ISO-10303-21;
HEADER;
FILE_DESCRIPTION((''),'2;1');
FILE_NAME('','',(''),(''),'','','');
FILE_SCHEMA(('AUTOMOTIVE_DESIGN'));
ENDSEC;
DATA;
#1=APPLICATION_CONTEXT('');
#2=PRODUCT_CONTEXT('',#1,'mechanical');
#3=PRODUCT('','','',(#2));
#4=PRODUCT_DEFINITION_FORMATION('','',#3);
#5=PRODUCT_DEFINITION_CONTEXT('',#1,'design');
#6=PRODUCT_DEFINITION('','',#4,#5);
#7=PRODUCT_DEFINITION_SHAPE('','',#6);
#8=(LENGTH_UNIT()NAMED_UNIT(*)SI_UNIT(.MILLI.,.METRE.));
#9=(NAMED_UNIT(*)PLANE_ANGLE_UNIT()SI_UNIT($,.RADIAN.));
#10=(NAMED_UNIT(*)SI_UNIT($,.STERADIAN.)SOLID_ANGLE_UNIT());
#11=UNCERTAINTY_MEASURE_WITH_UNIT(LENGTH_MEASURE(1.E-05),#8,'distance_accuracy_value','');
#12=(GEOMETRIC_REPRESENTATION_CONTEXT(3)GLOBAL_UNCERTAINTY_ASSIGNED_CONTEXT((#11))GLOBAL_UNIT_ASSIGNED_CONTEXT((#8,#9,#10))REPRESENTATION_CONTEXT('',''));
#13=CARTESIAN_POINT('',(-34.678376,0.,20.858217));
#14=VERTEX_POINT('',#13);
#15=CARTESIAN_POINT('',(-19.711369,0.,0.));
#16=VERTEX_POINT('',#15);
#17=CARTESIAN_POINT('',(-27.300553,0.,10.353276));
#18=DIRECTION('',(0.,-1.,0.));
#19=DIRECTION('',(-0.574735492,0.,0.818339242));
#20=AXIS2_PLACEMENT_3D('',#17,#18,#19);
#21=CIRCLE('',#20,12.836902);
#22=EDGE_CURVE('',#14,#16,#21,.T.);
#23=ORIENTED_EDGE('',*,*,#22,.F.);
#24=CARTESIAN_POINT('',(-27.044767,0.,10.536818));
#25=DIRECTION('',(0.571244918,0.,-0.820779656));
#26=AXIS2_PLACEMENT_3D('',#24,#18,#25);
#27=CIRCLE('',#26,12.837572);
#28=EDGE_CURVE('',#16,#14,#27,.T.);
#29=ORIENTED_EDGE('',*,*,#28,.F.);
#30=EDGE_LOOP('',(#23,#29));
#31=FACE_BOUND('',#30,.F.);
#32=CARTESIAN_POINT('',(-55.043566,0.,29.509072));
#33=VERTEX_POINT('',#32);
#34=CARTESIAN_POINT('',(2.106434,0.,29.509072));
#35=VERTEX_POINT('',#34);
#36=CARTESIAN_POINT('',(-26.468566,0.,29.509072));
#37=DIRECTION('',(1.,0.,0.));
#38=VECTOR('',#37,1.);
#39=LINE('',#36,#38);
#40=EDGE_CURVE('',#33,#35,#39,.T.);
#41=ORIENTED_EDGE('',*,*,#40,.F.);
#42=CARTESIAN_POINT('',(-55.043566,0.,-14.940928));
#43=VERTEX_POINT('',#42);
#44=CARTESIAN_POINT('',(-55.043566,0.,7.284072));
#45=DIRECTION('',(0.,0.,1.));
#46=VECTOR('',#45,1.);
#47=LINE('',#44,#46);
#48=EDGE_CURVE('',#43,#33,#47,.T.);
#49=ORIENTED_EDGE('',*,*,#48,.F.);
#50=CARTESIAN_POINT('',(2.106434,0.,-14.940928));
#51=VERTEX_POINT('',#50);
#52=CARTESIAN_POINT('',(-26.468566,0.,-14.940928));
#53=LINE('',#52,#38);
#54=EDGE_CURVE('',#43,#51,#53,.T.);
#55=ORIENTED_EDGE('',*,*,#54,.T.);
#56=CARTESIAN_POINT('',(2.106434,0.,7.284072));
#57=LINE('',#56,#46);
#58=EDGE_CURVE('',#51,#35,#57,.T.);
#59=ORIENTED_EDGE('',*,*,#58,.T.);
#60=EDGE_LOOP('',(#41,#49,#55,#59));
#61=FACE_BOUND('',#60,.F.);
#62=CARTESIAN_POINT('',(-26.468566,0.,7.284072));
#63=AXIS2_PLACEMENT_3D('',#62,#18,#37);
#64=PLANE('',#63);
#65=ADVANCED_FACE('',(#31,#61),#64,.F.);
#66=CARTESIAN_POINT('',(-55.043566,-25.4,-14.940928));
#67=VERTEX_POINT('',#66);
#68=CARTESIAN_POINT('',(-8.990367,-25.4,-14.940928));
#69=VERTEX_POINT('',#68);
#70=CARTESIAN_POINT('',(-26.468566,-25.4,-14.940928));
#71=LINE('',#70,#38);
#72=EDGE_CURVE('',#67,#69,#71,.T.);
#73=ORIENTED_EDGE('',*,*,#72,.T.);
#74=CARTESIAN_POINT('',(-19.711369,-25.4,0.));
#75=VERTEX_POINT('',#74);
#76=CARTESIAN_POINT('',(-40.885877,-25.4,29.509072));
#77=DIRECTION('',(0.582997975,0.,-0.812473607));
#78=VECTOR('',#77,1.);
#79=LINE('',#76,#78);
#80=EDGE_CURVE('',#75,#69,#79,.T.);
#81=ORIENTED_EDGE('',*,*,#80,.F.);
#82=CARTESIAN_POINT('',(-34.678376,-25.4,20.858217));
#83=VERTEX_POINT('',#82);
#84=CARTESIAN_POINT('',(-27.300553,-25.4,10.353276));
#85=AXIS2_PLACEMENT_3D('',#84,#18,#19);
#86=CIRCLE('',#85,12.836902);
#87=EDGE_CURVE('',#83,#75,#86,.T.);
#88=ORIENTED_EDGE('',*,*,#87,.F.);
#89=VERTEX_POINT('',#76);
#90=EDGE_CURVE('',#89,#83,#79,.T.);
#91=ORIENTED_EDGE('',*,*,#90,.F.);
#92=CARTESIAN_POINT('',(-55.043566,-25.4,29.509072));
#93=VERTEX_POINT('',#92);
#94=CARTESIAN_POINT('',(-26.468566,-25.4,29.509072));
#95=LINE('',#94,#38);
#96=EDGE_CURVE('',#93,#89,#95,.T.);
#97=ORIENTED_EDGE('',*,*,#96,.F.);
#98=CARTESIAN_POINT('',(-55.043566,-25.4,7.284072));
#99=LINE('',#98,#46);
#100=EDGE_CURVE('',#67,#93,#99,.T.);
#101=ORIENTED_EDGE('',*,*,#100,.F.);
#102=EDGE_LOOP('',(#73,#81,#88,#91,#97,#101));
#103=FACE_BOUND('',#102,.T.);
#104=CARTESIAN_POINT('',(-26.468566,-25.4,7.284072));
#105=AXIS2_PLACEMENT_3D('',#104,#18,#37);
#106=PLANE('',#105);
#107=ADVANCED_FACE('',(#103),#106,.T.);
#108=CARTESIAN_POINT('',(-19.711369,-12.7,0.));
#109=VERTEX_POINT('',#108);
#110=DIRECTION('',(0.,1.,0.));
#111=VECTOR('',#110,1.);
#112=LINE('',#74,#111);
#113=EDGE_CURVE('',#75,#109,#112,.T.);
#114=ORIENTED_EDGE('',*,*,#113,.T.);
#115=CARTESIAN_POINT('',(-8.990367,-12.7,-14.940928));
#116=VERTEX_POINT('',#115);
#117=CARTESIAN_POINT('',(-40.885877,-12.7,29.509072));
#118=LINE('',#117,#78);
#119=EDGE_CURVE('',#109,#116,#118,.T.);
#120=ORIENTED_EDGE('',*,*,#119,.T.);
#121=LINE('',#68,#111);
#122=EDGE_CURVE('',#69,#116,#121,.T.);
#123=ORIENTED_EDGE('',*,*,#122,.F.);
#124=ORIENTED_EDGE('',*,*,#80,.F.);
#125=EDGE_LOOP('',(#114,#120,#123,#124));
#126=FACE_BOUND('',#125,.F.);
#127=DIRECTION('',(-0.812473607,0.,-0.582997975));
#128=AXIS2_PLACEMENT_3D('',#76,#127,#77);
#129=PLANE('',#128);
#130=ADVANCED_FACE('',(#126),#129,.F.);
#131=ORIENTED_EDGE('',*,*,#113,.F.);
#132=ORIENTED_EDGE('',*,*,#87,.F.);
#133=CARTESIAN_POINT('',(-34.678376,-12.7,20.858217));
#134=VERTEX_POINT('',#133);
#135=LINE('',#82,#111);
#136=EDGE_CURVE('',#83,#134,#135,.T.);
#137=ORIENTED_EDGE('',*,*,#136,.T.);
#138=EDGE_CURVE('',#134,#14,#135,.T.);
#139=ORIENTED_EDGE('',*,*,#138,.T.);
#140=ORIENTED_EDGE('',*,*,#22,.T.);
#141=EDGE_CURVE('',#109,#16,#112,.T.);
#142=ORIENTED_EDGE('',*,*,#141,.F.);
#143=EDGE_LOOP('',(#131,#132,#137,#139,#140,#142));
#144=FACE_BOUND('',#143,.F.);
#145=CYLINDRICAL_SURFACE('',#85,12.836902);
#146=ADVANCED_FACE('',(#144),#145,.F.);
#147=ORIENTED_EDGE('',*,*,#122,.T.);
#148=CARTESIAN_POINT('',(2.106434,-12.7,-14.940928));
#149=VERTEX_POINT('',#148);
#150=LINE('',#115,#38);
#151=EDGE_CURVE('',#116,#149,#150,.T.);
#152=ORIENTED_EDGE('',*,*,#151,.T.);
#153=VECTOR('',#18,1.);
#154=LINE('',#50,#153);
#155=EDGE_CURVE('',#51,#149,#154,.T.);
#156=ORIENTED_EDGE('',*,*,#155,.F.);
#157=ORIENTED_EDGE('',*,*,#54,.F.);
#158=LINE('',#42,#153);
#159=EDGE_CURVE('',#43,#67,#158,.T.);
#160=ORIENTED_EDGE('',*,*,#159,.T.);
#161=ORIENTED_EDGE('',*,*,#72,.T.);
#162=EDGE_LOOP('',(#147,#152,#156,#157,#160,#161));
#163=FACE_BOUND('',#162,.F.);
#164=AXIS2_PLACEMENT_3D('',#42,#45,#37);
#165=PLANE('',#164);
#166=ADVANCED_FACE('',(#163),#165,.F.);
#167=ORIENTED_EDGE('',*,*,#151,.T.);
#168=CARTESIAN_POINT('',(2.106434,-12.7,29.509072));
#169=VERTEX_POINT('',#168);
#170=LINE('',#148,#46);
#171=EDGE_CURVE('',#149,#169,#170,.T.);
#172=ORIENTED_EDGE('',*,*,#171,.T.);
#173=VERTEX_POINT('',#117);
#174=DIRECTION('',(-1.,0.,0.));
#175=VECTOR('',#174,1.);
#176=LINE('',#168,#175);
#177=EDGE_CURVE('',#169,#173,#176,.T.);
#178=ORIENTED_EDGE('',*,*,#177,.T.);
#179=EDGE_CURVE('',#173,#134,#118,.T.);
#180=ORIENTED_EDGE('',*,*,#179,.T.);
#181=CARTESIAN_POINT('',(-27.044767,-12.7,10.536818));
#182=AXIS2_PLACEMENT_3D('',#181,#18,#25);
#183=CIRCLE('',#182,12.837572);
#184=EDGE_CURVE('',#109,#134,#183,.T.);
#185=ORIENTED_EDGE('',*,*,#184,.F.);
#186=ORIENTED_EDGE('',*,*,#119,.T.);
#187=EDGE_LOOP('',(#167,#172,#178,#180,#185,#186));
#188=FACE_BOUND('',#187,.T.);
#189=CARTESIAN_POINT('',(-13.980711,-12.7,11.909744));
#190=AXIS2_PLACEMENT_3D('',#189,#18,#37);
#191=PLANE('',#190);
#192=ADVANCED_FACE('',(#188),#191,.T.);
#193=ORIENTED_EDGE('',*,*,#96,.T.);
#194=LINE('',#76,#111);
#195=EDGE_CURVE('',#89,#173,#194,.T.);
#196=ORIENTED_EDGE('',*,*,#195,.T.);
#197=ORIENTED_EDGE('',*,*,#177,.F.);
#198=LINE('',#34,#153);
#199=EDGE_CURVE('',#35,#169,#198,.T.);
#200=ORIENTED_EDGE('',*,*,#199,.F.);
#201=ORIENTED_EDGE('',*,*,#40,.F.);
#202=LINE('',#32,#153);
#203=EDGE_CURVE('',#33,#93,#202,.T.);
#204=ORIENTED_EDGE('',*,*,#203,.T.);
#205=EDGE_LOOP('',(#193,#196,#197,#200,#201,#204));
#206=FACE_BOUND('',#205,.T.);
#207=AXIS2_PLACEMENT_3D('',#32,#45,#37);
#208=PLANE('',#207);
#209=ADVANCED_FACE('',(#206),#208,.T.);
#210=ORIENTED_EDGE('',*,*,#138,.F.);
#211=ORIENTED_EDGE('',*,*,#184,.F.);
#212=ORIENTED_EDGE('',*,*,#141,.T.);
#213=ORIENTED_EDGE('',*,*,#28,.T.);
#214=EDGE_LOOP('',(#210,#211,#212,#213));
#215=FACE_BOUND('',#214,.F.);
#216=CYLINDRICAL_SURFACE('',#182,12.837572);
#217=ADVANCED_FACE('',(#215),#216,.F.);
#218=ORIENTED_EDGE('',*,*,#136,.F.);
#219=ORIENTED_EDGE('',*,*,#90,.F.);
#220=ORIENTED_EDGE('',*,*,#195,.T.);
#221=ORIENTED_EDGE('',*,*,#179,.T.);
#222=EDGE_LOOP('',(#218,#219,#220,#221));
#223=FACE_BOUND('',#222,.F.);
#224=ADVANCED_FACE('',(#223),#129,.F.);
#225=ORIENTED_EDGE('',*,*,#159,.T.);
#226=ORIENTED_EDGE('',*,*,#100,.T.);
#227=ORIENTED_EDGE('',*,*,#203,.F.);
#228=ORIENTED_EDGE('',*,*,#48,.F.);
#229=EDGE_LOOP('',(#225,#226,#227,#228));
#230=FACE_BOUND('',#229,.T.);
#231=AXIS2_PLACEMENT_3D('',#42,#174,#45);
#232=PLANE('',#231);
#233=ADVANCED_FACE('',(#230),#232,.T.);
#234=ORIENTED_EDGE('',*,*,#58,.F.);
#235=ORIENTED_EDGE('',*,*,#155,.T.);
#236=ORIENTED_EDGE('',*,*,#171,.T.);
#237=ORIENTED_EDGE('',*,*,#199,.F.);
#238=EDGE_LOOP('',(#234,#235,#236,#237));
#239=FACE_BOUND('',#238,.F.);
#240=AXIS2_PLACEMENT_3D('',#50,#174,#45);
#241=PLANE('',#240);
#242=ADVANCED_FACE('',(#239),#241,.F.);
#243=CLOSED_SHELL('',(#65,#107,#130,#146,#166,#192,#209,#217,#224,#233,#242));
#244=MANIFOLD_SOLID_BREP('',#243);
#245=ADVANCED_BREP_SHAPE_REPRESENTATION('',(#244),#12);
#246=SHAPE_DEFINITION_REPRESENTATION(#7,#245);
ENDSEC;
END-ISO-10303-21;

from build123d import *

# Parameters (mm, degrees)
F0_W     = 57.15
F0_H     = 44.45
F1_DEPTH = 25.4
F3_DEPTH = 12.7
F5_DEPTH = 25.401
F7_DEPTH = 25.4


with BuildPart() as f1:
    # F0 (on Front) → F1 (new body)
    with BuildSketch(Plane.XZ):
        with Locations((-26.4685656875, 7.2840715903)):
            Rectangle(F0_W, F0_H)
    extrude(amount=F1_DEPTH)

    # F2 (on face) → F3 (cut)
    with BuildSketch(Plane.XZ.offset(25.4)):
        Polygon((2.1064343125, 29.5090715903), (-40.8858768642, 29.5090715903), (-8.9903669432, -14.9409284097), (2.1064343125, -14.9409284097), align=None)
    extrude(amount=-F3_DEPTH, mode=Mode.SUBTRACT)

    # F4 (on face) → F5 (cut, through all)
    with BuildSketch(Plane.XZ.offset(25.4)):
        with BuildLine():
            Line((-19.7113687501, 0), (-34.6783755455, 20.8582165233))
            ThreePointArc((-34.6783755455, 20.8582165233), (-37.7301963147, 2.8693886556), (-19.7113687501, 0))
        make_face()
    extrude(amount=-F5_DEPTH, mode=Mode.SUBTRACT)

    # F6 (on face) → F7 (cut)
    with BuildSketch(Plane.XZ.offset(12.7)):
        with BuildLine():
            Line((-34.6783755455, 20.8582165233), (-19.7113687501, 0))
            ThreePointArc((-19.7113687501, 0), (-16.6145780918, 18.0210964288), (-34.6783755455, 20.8582165233))
        make_face()
    extrude(amount=-F7_DEPTH, mode=Mode.SUBTRACT)


solid = f1.part
